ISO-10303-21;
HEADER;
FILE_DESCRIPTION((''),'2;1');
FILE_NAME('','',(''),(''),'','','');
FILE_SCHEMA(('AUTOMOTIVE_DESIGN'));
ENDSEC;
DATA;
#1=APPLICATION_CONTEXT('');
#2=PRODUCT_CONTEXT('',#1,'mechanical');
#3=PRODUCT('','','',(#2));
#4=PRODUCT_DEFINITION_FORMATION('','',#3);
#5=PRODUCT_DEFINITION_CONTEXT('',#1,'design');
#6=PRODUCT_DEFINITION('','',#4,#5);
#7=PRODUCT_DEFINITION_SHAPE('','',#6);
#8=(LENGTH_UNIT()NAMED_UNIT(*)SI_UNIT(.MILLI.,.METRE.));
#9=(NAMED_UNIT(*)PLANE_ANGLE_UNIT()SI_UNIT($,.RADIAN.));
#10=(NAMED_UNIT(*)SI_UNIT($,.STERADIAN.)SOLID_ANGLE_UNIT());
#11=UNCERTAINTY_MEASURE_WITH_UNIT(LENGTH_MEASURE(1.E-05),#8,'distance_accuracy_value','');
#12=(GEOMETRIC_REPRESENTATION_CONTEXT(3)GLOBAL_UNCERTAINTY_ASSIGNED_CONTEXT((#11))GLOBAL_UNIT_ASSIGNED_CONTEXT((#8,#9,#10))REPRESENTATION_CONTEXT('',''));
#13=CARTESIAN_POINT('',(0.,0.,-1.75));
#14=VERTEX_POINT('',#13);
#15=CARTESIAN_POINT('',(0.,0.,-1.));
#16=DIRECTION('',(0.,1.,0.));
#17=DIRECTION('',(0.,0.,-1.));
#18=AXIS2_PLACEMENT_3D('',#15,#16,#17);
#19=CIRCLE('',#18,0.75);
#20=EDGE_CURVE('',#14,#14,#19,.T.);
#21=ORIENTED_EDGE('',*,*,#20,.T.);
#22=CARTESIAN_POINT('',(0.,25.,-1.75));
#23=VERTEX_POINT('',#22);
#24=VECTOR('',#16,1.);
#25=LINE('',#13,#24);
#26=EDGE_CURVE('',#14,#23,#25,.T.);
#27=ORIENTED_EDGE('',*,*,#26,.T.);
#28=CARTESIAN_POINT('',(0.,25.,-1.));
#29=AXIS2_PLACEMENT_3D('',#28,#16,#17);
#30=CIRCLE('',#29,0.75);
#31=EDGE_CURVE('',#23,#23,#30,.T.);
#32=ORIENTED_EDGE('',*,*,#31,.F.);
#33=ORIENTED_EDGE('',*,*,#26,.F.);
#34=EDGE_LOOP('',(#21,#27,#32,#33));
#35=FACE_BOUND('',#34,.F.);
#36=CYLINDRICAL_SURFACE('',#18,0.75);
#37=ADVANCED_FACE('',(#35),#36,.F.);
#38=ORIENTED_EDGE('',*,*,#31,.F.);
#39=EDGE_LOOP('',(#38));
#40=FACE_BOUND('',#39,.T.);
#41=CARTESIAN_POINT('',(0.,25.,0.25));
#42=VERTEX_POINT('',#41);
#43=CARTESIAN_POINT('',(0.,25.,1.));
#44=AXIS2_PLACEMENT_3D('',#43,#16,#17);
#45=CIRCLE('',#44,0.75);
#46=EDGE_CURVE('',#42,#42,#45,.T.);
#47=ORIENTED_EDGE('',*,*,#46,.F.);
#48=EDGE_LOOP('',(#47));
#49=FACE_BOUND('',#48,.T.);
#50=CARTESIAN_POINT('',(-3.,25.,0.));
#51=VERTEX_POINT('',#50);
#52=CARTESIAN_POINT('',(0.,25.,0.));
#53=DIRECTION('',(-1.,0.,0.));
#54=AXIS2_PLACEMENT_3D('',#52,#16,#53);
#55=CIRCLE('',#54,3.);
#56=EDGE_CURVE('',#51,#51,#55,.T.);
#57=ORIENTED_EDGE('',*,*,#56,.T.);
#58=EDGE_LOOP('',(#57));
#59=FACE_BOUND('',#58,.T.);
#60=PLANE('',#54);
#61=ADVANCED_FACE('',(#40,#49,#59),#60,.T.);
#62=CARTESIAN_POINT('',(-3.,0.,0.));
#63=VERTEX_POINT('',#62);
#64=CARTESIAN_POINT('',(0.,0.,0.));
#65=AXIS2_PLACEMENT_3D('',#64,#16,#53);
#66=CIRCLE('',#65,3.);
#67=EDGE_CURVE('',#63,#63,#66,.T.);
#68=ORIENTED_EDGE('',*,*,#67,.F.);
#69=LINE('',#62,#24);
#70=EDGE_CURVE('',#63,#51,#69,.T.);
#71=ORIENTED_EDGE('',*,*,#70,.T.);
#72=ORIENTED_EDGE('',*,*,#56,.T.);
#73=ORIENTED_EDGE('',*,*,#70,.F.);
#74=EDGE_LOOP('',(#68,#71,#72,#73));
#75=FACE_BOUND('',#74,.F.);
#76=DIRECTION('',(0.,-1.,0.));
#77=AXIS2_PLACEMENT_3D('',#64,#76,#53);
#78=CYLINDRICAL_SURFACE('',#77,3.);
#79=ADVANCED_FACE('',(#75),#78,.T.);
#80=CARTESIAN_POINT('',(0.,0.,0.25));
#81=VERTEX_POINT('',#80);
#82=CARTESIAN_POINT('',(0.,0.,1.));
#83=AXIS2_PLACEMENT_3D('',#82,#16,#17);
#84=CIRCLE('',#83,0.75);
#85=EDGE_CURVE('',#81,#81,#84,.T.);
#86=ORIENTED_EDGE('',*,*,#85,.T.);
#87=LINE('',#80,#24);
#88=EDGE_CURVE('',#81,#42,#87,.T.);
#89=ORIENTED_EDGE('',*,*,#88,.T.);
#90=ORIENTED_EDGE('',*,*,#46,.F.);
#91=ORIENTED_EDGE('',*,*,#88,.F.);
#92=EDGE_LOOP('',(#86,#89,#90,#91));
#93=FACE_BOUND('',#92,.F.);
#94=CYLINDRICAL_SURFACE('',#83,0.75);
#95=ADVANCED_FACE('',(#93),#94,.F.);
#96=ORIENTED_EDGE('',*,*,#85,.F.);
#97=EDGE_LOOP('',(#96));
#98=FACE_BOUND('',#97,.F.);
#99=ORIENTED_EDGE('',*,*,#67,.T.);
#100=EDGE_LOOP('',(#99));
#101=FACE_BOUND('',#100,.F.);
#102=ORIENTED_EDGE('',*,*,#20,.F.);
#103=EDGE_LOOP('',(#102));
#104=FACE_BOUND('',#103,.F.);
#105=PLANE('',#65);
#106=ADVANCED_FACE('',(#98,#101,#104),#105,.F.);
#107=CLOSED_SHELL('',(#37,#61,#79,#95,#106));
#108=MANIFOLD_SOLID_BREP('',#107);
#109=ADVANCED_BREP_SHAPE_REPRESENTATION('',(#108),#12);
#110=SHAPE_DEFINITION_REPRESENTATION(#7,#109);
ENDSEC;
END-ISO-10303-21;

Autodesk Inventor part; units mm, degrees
ref_plane "YZ Plane" through (0, 0, 0) normal (1, 0, 0) x (0, 1, 0)
ref_plane "XZ Plane" through (0, 0, 0) normal (0, 1, 0) x (-1, 0, 0)
ref_plane "XY Plane" through (0, 0, 0) normal (0, 0, 1) x (1, 0, 0)
sketch "Sketch1" plane through (0, 0, 0) normal (0, 1, 0) x (-1, 0, 0)
  circle A0 centre (0, 0) radius 3
  line L0 (1.3195, 0) -> (1.9456, 0) construction
  point P0 (0, 1)
  point P1 (0, -1)
  dimension "d0" = 6
  dimension "d1" = 2
extrude "Extrusion1" add sketch "Sketch1" along normal blind 25
hole "Hole1" at (0, 0, 1) at (0, 0, -1) direction (0, 1, 0) diameter 1.5 end through all
properties part number "LED_support"
